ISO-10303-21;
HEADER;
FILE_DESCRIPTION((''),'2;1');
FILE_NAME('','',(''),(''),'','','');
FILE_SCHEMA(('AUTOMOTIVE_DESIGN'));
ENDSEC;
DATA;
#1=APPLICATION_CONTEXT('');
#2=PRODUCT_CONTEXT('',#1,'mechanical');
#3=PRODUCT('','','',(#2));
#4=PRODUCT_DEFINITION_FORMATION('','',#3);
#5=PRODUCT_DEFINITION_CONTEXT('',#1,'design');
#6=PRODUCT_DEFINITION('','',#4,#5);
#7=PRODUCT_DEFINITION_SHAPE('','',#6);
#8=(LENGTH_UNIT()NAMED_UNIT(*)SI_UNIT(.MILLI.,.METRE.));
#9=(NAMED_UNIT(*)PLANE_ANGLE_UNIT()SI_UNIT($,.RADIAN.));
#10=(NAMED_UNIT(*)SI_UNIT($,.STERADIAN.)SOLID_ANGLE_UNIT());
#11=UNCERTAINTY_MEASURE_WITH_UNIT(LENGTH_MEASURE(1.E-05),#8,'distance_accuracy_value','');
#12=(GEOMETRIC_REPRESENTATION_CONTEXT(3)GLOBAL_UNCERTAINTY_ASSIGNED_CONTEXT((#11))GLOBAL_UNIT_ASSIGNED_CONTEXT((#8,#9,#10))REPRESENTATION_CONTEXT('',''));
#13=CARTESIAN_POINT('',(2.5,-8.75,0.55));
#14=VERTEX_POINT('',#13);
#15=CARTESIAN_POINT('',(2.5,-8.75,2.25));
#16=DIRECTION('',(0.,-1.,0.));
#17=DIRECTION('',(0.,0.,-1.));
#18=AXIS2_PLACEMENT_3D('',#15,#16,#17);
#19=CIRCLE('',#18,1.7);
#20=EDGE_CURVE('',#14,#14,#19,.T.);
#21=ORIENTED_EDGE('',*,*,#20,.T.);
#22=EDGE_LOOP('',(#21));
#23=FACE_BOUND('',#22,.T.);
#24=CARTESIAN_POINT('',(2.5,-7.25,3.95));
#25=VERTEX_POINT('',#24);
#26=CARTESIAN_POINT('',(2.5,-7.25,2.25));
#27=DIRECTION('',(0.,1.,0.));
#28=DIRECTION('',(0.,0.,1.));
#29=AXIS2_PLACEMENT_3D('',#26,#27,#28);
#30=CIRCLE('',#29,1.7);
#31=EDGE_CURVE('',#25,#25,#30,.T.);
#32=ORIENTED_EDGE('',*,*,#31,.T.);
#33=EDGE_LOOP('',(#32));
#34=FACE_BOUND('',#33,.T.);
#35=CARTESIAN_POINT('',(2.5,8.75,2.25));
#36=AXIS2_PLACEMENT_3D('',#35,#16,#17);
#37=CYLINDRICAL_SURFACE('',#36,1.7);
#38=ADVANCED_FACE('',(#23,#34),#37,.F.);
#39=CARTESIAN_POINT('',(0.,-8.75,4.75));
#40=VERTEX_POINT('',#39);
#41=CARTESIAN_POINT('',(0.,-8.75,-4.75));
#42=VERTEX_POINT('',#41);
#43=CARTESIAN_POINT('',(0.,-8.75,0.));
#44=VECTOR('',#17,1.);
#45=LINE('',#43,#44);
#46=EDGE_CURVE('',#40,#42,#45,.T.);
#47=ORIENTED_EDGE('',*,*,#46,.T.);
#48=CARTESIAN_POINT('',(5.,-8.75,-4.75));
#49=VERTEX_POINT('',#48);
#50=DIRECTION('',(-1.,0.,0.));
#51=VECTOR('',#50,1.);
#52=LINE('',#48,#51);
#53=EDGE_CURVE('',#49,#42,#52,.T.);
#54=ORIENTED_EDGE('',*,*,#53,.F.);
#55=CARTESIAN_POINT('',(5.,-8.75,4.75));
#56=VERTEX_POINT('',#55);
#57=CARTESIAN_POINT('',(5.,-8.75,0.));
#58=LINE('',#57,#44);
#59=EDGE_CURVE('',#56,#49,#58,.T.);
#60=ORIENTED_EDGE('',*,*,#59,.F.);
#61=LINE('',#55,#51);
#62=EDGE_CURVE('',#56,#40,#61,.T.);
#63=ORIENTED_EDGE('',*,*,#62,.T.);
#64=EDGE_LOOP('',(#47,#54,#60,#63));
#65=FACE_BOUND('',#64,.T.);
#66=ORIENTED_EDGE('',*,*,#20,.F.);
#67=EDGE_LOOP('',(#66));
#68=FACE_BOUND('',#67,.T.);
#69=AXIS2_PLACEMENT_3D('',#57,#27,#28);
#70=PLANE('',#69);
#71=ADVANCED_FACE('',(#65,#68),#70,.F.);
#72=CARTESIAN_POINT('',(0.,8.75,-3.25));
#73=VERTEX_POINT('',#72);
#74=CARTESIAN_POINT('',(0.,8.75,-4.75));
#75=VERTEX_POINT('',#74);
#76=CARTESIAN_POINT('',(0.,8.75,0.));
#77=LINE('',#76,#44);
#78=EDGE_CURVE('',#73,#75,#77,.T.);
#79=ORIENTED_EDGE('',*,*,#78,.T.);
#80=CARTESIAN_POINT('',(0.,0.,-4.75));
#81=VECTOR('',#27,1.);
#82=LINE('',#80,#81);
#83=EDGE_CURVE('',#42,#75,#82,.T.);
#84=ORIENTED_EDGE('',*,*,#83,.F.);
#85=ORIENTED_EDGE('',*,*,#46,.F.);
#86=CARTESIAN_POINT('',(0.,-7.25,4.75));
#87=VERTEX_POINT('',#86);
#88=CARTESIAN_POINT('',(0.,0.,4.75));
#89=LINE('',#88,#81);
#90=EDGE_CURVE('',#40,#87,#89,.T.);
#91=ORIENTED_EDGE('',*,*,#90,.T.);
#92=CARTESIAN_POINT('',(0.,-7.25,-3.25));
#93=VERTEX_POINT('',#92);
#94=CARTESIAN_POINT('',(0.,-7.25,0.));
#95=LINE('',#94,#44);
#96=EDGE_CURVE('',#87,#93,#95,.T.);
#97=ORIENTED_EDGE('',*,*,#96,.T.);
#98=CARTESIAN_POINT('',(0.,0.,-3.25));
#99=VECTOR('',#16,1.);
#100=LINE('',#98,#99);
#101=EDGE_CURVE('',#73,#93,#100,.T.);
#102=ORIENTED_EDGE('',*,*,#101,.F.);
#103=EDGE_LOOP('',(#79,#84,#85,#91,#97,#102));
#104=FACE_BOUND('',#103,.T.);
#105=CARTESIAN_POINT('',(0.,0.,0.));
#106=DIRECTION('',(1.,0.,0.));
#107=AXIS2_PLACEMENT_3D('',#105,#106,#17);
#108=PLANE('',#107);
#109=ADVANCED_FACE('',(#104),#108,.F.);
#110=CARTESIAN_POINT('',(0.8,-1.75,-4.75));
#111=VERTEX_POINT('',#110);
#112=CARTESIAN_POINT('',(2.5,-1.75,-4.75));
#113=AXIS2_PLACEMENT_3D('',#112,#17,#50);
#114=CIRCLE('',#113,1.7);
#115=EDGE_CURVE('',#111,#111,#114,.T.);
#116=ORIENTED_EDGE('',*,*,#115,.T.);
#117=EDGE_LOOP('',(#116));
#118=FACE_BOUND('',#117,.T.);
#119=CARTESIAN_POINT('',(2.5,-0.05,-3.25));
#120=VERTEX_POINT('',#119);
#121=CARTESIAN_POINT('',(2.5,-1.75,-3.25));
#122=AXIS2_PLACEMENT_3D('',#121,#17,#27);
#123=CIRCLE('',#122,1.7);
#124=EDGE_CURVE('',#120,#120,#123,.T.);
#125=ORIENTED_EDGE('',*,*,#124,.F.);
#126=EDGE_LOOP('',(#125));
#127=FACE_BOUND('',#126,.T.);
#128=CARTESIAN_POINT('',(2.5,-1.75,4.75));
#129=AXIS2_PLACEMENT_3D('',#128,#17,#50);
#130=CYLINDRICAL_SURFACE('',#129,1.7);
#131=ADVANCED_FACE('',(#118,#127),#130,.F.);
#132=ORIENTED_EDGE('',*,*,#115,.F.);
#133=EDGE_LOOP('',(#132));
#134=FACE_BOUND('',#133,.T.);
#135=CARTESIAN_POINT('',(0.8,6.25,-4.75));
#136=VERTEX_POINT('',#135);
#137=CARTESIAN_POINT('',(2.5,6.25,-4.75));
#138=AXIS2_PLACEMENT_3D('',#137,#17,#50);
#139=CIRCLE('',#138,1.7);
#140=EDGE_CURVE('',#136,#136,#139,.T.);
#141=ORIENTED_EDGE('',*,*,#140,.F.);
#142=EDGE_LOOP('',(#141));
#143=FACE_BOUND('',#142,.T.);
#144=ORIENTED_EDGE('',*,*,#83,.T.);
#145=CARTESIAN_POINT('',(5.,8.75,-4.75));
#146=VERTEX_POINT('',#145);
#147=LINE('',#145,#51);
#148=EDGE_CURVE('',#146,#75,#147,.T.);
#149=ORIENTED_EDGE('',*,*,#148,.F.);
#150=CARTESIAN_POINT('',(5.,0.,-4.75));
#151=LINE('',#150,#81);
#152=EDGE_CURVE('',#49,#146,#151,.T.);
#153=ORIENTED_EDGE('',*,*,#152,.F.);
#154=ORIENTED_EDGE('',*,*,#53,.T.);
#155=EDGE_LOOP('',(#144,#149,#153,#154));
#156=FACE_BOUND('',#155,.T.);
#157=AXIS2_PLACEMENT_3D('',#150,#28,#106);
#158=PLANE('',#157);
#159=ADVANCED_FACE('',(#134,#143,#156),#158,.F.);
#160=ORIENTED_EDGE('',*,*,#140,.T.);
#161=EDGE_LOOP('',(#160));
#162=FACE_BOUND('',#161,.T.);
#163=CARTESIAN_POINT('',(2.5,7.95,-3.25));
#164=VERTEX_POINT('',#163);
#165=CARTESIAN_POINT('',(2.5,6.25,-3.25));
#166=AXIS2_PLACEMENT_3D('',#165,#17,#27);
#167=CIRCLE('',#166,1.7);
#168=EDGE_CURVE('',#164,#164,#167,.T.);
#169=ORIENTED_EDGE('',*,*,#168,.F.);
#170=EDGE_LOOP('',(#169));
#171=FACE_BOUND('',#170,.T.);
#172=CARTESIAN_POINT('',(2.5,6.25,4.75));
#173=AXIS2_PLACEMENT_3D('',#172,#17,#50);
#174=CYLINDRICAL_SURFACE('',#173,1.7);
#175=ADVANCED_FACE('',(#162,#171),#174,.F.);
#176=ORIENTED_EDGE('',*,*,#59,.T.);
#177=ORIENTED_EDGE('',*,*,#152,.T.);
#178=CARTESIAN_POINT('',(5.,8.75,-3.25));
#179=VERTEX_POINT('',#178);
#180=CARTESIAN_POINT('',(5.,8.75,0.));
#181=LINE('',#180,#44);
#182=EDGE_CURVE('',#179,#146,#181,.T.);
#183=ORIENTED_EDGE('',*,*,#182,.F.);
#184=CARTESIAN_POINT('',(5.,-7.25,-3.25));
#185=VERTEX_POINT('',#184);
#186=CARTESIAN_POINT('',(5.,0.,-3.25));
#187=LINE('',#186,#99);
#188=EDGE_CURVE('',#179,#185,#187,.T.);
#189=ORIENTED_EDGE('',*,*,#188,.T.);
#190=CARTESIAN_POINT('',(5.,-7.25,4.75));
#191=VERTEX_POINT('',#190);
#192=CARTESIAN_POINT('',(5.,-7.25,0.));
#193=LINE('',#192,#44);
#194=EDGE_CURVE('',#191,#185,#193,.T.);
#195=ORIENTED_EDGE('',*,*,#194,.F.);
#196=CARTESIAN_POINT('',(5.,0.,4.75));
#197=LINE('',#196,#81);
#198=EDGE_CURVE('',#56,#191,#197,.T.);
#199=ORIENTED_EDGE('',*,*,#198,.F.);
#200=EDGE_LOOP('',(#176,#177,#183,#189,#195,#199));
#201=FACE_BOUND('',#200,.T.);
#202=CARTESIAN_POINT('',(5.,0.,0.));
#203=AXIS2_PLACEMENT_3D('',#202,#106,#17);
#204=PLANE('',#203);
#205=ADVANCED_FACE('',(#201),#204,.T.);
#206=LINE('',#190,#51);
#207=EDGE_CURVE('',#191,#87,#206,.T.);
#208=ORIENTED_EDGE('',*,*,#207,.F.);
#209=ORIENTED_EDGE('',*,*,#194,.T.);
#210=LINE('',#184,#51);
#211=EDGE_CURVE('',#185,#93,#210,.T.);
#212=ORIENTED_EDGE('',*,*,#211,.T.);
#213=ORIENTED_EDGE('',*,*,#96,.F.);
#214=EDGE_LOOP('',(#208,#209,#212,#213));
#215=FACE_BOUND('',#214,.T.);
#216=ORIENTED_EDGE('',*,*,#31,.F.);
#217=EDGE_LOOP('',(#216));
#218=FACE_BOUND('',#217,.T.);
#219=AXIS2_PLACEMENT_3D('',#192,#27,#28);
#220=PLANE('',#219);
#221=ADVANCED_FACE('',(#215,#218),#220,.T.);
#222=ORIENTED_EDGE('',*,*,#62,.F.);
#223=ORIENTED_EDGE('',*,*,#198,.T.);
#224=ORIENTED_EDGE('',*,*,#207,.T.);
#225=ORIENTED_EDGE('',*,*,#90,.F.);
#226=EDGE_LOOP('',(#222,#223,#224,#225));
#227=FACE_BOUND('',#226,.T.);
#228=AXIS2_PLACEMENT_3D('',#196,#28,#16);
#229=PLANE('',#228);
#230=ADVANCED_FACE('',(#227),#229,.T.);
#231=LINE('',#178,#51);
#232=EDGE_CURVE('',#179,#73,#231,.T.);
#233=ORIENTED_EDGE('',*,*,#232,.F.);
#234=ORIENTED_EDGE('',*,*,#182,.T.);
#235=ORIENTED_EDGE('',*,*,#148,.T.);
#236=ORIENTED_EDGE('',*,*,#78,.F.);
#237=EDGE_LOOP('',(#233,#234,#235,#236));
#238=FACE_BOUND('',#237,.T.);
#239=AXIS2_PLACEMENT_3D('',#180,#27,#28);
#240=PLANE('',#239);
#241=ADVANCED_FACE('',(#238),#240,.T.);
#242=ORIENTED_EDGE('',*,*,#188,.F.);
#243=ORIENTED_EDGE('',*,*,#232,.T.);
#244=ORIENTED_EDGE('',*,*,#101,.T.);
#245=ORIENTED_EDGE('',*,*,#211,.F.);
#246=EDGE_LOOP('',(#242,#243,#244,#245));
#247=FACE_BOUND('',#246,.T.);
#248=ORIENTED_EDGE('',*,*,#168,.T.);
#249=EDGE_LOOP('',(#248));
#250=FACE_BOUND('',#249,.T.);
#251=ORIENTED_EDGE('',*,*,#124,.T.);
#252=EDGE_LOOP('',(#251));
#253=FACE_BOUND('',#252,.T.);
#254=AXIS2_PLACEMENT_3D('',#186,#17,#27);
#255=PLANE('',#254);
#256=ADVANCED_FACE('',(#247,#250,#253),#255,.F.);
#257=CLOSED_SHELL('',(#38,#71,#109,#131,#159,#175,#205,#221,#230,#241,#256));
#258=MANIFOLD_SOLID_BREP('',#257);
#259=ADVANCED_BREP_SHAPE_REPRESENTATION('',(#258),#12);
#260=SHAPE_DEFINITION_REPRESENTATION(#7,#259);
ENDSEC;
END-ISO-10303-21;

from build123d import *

# Parameters (mm, degrees)
BOSS_EXTRUDE1_DEPTH = 5
SKETCH2_R           = 1.7
CUT_EXTRUDE1_DEPTH  = 19.809904306
SKETCH3_R           = 1.7
CUT_EXTRUDE2_DEPTH  = 14.849638984


with BuildPart() as part:
    # Sketch1 → Boss-Extrude1 (new body)
    with BuildSketch(Plane(origin=(0, 0, 0), x_dir=(0, 0, -1), z_dir=(1, 0, 0))):
        Polygon((-4.75, -7.25), (-4.75, -8.75), (4.75, -8.75), (4.75, 8.75), (3.25, 8.75), (3.25, -7.25), align=None)
    extrude(amount=BOSS_EXTRUDE1_DEPTH)

    # Sketch2 → Cut-Extrude1 (cut, through all)
    with BuildSketch(Plane.XZ.offset(8.75)):
        with Locations(Location((2.5, 2.25, 0), (0, 0, 270))):
            Circle(SKETCH2_R)
    extrude(amount=-CUT_EXTRUDE1_DEPTH, mode=Mode.SUBTRACT)

    # Sketch3 → Cut-Extrude2 (cut, through all)
    with BuildSketch(Plane(origin=(0, 0, -4.75), x_dir=(-1, 0, 0), z_dir=(0, 0, -1))):
        with Locations((-2.5, -1.75)):
            Circle(SKETCH3_R)
        with Locations((-2.5, 6.25)):
            Circle(SKETCH3_R)
    extrude(amount=-CUT_EXTRUDE2_DEPTH, mode=Mode.SUBTRACT)


solid = part.part
